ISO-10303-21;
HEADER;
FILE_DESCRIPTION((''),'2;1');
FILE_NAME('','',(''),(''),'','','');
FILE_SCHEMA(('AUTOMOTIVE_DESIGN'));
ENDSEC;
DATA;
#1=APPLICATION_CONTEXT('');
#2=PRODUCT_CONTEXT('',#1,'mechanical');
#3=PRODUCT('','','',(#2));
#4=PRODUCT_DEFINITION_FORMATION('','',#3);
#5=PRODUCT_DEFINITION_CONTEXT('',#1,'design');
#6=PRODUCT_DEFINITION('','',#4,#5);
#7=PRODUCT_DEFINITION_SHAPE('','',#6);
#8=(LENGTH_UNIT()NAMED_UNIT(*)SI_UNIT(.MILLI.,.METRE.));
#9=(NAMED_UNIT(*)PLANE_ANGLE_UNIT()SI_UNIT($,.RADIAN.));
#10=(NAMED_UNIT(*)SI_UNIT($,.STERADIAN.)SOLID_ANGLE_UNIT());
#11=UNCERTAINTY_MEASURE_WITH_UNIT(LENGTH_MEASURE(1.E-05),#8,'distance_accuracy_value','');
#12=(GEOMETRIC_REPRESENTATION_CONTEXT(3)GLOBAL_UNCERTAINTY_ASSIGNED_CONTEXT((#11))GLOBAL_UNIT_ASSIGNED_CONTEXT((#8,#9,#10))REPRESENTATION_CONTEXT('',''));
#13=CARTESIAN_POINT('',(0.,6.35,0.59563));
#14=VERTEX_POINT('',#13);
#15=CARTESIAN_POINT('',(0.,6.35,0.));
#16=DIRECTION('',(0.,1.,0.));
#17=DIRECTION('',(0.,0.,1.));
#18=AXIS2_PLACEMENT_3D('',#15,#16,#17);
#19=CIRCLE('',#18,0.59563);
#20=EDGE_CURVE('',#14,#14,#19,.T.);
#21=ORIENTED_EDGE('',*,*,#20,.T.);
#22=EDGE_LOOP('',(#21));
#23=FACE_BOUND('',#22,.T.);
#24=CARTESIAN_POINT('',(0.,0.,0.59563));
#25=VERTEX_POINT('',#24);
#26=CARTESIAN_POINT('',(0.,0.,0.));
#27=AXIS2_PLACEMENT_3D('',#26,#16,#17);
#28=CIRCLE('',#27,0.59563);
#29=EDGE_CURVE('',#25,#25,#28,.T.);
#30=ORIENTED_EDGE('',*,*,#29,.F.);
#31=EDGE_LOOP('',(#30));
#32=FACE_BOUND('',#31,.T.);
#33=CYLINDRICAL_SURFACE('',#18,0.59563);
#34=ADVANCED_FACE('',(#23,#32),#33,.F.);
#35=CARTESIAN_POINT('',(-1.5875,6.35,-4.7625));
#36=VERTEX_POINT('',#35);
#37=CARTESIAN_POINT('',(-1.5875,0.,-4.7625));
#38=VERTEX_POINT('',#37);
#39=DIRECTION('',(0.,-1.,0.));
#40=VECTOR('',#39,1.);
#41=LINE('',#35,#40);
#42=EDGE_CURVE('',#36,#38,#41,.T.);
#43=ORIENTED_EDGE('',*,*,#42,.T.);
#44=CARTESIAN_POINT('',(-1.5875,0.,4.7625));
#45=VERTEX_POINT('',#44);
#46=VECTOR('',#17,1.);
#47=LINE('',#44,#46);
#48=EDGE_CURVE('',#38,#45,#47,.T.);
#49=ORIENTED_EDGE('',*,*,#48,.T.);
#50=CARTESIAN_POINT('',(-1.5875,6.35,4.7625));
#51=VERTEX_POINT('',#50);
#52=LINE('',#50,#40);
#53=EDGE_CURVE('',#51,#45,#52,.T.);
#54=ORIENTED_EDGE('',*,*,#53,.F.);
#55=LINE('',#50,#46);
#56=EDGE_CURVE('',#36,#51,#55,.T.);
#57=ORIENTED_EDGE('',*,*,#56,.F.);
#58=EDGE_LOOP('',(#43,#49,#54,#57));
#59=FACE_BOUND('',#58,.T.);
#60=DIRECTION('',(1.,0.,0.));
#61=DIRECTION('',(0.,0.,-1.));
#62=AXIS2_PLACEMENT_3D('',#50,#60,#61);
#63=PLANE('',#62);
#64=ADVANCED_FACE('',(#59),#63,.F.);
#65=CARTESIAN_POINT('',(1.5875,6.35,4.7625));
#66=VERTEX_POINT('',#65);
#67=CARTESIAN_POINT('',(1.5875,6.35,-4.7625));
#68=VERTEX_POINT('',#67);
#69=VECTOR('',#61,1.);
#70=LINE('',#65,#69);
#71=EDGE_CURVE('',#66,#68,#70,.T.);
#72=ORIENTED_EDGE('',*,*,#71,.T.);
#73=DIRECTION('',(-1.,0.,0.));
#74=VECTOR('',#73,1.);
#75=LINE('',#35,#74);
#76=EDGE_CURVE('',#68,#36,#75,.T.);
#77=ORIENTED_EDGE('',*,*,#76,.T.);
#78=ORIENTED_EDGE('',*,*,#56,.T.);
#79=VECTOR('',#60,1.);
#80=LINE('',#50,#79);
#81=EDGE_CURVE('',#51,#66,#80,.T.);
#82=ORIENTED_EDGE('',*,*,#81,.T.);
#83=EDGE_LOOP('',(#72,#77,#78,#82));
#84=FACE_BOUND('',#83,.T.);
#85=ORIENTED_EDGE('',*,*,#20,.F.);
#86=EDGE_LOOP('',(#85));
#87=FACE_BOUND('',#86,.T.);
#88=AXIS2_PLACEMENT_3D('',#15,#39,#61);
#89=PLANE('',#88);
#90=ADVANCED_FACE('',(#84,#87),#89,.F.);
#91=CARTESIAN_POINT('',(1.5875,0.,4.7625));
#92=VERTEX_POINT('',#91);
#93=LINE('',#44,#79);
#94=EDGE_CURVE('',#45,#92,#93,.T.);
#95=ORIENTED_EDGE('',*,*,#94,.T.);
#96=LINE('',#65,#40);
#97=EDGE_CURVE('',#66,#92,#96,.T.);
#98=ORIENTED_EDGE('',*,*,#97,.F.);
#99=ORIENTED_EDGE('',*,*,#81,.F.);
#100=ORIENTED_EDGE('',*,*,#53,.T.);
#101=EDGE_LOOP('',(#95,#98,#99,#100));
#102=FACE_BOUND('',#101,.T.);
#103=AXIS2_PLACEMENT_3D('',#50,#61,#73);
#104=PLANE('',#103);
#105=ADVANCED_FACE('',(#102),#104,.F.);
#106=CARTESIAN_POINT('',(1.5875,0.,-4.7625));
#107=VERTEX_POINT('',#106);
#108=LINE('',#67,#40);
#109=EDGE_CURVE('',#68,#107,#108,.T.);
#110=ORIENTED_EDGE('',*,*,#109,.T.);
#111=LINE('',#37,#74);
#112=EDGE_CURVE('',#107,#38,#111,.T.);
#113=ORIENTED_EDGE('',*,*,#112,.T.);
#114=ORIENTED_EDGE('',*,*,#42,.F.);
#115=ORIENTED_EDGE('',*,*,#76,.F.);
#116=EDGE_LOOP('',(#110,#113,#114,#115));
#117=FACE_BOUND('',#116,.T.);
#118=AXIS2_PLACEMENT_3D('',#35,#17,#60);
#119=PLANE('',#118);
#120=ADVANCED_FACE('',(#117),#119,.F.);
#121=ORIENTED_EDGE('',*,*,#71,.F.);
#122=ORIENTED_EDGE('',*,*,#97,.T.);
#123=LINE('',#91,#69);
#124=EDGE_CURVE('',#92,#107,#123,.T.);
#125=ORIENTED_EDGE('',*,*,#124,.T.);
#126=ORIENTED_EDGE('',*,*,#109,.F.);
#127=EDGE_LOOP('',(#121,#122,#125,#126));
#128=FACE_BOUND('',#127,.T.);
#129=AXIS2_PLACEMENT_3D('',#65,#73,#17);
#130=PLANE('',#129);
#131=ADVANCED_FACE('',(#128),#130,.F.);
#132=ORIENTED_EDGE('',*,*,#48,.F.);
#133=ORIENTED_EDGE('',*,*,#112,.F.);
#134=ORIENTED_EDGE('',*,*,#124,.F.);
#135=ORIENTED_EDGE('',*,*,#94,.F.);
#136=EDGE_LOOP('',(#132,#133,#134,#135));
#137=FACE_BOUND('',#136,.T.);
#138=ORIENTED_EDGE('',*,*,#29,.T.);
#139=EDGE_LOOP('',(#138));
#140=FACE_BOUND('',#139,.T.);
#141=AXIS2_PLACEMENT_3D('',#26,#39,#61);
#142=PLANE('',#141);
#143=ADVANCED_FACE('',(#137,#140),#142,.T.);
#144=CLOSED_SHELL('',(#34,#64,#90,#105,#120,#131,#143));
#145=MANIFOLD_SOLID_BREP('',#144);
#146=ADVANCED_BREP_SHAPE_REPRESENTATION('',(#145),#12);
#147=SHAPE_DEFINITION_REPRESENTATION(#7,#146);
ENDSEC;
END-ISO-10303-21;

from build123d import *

# Parameters (mm, degrees)
SKETCH1_W             = 3.175
SKETCH1_H             = 9.525
BOSS_EXTRUDE1_DEPTH   = 6.35
F_0_80_TAPPED_HOLE1_D = 1.19126


with BuildPart() as part:
    # Sketch1 → Boss-Extrude1 (new body)
    with BuildSketch(Plane(origin=(0, 0, 0), x_dir=(1, 0, 0), z_dir=(0, 1, 0))):
        Rectangle(SKETCH1_W, SKETCH1_H)
    extrude(amount=BOSS_EXTRUDE1_DEPTH)

    # #0-80 Tapped Hole1 (through all)
    with Locations(Plane(origin=(0, 6.35, 0), x_dir=(1, 0, 0), z_dir=(0, 1, 0))):
        with Locations((0, 0)):
            Hole(F_0_80_TAPPED_HOLE1_D / 2)


solid = part.part
